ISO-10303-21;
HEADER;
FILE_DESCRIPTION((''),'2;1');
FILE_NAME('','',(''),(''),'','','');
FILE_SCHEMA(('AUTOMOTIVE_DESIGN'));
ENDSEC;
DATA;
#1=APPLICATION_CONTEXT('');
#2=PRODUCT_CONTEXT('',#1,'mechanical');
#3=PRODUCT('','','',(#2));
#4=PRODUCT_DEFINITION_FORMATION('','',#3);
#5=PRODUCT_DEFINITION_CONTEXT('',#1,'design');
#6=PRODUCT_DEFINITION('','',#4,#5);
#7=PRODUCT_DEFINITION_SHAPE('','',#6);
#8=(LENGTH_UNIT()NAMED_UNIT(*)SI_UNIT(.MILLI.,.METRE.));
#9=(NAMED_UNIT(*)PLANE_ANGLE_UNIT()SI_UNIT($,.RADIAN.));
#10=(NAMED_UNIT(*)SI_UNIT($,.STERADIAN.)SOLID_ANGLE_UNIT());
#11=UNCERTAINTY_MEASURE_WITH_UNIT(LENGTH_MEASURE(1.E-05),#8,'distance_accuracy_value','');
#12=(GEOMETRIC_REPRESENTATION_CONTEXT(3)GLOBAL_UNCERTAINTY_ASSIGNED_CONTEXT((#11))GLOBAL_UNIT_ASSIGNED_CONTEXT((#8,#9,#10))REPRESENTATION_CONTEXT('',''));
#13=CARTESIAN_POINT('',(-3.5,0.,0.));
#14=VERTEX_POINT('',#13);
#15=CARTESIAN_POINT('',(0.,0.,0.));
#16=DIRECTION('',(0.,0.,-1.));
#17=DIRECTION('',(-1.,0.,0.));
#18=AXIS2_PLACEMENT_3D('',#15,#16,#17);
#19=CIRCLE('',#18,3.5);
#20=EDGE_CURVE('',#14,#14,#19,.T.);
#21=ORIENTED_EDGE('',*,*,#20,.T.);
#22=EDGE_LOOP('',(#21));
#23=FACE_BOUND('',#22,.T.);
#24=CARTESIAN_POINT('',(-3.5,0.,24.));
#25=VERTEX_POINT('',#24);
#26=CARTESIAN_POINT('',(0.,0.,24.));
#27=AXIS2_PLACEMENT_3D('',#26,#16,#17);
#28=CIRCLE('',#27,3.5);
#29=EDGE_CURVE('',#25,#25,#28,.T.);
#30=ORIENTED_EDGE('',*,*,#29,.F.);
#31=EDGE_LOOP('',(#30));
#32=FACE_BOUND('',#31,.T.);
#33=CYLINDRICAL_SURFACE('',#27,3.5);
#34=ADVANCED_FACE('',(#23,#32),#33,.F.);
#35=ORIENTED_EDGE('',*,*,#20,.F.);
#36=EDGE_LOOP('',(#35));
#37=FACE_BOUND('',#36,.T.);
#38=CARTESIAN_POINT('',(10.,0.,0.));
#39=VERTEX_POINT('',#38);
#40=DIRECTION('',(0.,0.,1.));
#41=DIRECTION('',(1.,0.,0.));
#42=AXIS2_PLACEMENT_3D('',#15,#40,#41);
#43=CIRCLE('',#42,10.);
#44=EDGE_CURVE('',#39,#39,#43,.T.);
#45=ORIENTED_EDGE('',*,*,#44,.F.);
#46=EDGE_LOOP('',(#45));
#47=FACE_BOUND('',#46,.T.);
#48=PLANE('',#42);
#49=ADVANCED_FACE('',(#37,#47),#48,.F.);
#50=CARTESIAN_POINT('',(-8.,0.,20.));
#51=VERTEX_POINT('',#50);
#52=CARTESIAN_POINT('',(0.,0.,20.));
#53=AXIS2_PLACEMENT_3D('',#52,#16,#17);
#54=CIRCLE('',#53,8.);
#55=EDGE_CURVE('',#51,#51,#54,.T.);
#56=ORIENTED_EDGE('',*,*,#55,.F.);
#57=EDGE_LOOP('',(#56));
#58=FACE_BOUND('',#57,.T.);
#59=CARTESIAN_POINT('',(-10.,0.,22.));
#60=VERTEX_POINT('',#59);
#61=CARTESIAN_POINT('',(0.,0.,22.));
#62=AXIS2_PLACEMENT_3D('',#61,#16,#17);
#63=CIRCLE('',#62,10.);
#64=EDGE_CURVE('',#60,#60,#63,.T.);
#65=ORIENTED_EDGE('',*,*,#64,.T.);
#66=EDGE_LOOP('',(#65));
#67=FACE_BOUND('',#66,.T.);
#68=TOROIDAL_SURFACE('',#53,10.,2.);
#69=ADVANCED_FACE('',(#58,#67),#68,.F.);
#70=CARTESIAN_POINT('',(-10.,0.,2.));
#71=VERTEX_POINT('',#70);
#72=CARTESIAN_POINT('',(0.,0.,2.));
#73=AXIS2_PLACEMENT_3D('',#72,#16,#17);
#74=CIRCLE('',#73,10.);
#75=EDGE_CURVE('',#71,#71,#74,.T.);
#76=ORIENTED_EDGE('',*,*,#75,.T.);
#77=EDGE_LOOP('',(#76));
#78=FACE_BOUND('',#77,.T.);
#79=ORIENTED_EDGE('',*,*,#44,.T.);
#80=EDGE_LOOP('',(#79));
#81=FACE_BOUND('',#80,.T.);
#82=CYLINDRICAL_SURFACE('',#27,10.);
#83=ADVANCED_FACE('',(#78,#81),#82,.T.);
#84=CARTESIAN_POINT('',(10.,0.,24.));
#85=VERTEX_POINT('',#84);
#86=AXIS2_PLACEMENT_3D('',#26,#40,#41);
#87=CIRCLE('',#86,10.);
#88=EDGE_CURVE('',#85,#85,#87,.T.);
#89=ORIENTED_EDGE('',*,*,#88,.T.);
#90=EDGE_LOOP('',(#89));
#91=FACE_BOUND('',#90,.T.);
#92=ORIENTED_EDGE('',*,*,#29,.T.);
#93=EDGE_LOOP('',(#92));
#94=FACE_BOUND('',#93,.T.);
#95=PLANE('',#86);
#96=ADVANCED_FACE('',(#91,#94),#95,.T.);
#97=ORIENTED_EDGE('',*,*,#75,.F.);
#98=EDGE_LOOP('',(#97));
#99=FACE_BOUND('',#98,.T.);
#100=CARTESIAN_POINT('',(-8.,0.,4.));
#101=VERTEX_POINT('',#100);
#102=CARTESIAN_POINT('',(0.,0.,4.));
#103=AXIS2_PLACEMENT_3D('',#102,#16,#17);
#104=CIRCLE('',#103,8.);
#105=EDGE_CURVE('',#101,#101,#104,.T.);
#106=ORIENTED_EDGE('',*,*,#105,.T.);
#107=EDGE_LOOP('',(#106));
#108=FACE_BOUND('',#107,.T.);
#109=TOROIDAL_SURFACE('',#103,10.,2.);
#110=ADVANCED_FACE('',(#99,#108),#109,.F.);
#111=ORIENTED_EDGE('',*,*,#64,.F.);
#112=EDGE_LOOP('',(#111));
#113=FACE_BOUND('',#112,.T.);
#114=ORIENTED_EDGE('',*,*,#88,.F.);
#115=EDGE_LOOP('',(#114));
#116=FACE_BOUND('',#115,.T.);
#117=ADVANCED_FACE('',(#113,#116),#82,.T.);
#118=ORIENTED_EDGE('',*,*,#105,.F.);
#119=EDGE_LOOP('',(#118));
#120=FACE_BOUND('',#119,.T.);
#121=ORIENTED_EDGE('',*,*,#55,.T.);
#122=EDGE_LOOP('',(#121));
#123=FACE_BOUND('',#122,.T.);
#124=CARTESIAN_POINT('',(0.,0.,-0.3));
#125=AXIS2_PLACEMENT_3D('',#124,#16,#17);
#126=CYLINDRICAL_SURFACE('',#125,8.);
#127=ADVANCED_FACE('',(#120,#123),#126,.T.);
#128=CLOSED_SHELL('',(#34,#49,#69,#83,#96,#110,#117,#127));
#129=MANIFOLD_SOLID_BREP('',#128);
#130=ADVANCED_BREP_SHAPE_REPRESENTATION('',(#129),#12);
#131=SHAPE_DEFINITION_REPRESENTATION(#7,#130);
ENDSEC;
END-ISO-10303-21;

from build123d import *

# Parameters (mm, degrees)
SKETCH1_R           = 10
BOSS_EXTRUDE1_DEPTH = 24
SKETCH3_R           = 3.5
CUT_EXTRUDE1_DEPTH  = 24


with BuildPart() as part:
    # Sketch1 → Boss-Extrude1 (new body)
    with BuildSketch(Plane.XY):
        Circle(SKETCH1_R)
    extrude(amount=BOSS_EXTRUDE1_DEPTH)

    # Sketch2 → Cut-Revolve1 (revolve, cut)
    with BuildSketch(Plane(origin=(0, 0, 0), x_dir=(0, 0, -1), z_dir=(1, 0, 0)), mode=Mode.PRIVATE) as cut_revolve1_sk:
        with BuildLine():
            Line((-22, 10), (-2, 10))
            ThreePointArc((-2, 10), (-2.585786438, 8.585786438), (-4, 8))
            Line((-4, 8), (-20, 8))
            ThreePointArc((-20, 8), (-21.414213562, 8.585786438), (-22, 10))
        make_face()
    revolve(cut_revolve1_sk.sketch.rotate(Axis((0, 0, -0.3), (0, 0, 1)), 90), axis=Axis((0, 0, -0.3), (0, 0, 1)), mode=Mode.SUBTRACT)

    # Sketch3 → Cut-Extrude1 (cut)
    with BuildSketch(Plane(origin=(0, 0, 0), x_dir=(-1, 0, 0), z_dir=(0, 0, -1))):
        Circle(SKETCH3_R)
    extrude(amount=-CUT_EXTRUDE1_DEPTH, mode=Mode.SUBTRACT)


solid = part.part
